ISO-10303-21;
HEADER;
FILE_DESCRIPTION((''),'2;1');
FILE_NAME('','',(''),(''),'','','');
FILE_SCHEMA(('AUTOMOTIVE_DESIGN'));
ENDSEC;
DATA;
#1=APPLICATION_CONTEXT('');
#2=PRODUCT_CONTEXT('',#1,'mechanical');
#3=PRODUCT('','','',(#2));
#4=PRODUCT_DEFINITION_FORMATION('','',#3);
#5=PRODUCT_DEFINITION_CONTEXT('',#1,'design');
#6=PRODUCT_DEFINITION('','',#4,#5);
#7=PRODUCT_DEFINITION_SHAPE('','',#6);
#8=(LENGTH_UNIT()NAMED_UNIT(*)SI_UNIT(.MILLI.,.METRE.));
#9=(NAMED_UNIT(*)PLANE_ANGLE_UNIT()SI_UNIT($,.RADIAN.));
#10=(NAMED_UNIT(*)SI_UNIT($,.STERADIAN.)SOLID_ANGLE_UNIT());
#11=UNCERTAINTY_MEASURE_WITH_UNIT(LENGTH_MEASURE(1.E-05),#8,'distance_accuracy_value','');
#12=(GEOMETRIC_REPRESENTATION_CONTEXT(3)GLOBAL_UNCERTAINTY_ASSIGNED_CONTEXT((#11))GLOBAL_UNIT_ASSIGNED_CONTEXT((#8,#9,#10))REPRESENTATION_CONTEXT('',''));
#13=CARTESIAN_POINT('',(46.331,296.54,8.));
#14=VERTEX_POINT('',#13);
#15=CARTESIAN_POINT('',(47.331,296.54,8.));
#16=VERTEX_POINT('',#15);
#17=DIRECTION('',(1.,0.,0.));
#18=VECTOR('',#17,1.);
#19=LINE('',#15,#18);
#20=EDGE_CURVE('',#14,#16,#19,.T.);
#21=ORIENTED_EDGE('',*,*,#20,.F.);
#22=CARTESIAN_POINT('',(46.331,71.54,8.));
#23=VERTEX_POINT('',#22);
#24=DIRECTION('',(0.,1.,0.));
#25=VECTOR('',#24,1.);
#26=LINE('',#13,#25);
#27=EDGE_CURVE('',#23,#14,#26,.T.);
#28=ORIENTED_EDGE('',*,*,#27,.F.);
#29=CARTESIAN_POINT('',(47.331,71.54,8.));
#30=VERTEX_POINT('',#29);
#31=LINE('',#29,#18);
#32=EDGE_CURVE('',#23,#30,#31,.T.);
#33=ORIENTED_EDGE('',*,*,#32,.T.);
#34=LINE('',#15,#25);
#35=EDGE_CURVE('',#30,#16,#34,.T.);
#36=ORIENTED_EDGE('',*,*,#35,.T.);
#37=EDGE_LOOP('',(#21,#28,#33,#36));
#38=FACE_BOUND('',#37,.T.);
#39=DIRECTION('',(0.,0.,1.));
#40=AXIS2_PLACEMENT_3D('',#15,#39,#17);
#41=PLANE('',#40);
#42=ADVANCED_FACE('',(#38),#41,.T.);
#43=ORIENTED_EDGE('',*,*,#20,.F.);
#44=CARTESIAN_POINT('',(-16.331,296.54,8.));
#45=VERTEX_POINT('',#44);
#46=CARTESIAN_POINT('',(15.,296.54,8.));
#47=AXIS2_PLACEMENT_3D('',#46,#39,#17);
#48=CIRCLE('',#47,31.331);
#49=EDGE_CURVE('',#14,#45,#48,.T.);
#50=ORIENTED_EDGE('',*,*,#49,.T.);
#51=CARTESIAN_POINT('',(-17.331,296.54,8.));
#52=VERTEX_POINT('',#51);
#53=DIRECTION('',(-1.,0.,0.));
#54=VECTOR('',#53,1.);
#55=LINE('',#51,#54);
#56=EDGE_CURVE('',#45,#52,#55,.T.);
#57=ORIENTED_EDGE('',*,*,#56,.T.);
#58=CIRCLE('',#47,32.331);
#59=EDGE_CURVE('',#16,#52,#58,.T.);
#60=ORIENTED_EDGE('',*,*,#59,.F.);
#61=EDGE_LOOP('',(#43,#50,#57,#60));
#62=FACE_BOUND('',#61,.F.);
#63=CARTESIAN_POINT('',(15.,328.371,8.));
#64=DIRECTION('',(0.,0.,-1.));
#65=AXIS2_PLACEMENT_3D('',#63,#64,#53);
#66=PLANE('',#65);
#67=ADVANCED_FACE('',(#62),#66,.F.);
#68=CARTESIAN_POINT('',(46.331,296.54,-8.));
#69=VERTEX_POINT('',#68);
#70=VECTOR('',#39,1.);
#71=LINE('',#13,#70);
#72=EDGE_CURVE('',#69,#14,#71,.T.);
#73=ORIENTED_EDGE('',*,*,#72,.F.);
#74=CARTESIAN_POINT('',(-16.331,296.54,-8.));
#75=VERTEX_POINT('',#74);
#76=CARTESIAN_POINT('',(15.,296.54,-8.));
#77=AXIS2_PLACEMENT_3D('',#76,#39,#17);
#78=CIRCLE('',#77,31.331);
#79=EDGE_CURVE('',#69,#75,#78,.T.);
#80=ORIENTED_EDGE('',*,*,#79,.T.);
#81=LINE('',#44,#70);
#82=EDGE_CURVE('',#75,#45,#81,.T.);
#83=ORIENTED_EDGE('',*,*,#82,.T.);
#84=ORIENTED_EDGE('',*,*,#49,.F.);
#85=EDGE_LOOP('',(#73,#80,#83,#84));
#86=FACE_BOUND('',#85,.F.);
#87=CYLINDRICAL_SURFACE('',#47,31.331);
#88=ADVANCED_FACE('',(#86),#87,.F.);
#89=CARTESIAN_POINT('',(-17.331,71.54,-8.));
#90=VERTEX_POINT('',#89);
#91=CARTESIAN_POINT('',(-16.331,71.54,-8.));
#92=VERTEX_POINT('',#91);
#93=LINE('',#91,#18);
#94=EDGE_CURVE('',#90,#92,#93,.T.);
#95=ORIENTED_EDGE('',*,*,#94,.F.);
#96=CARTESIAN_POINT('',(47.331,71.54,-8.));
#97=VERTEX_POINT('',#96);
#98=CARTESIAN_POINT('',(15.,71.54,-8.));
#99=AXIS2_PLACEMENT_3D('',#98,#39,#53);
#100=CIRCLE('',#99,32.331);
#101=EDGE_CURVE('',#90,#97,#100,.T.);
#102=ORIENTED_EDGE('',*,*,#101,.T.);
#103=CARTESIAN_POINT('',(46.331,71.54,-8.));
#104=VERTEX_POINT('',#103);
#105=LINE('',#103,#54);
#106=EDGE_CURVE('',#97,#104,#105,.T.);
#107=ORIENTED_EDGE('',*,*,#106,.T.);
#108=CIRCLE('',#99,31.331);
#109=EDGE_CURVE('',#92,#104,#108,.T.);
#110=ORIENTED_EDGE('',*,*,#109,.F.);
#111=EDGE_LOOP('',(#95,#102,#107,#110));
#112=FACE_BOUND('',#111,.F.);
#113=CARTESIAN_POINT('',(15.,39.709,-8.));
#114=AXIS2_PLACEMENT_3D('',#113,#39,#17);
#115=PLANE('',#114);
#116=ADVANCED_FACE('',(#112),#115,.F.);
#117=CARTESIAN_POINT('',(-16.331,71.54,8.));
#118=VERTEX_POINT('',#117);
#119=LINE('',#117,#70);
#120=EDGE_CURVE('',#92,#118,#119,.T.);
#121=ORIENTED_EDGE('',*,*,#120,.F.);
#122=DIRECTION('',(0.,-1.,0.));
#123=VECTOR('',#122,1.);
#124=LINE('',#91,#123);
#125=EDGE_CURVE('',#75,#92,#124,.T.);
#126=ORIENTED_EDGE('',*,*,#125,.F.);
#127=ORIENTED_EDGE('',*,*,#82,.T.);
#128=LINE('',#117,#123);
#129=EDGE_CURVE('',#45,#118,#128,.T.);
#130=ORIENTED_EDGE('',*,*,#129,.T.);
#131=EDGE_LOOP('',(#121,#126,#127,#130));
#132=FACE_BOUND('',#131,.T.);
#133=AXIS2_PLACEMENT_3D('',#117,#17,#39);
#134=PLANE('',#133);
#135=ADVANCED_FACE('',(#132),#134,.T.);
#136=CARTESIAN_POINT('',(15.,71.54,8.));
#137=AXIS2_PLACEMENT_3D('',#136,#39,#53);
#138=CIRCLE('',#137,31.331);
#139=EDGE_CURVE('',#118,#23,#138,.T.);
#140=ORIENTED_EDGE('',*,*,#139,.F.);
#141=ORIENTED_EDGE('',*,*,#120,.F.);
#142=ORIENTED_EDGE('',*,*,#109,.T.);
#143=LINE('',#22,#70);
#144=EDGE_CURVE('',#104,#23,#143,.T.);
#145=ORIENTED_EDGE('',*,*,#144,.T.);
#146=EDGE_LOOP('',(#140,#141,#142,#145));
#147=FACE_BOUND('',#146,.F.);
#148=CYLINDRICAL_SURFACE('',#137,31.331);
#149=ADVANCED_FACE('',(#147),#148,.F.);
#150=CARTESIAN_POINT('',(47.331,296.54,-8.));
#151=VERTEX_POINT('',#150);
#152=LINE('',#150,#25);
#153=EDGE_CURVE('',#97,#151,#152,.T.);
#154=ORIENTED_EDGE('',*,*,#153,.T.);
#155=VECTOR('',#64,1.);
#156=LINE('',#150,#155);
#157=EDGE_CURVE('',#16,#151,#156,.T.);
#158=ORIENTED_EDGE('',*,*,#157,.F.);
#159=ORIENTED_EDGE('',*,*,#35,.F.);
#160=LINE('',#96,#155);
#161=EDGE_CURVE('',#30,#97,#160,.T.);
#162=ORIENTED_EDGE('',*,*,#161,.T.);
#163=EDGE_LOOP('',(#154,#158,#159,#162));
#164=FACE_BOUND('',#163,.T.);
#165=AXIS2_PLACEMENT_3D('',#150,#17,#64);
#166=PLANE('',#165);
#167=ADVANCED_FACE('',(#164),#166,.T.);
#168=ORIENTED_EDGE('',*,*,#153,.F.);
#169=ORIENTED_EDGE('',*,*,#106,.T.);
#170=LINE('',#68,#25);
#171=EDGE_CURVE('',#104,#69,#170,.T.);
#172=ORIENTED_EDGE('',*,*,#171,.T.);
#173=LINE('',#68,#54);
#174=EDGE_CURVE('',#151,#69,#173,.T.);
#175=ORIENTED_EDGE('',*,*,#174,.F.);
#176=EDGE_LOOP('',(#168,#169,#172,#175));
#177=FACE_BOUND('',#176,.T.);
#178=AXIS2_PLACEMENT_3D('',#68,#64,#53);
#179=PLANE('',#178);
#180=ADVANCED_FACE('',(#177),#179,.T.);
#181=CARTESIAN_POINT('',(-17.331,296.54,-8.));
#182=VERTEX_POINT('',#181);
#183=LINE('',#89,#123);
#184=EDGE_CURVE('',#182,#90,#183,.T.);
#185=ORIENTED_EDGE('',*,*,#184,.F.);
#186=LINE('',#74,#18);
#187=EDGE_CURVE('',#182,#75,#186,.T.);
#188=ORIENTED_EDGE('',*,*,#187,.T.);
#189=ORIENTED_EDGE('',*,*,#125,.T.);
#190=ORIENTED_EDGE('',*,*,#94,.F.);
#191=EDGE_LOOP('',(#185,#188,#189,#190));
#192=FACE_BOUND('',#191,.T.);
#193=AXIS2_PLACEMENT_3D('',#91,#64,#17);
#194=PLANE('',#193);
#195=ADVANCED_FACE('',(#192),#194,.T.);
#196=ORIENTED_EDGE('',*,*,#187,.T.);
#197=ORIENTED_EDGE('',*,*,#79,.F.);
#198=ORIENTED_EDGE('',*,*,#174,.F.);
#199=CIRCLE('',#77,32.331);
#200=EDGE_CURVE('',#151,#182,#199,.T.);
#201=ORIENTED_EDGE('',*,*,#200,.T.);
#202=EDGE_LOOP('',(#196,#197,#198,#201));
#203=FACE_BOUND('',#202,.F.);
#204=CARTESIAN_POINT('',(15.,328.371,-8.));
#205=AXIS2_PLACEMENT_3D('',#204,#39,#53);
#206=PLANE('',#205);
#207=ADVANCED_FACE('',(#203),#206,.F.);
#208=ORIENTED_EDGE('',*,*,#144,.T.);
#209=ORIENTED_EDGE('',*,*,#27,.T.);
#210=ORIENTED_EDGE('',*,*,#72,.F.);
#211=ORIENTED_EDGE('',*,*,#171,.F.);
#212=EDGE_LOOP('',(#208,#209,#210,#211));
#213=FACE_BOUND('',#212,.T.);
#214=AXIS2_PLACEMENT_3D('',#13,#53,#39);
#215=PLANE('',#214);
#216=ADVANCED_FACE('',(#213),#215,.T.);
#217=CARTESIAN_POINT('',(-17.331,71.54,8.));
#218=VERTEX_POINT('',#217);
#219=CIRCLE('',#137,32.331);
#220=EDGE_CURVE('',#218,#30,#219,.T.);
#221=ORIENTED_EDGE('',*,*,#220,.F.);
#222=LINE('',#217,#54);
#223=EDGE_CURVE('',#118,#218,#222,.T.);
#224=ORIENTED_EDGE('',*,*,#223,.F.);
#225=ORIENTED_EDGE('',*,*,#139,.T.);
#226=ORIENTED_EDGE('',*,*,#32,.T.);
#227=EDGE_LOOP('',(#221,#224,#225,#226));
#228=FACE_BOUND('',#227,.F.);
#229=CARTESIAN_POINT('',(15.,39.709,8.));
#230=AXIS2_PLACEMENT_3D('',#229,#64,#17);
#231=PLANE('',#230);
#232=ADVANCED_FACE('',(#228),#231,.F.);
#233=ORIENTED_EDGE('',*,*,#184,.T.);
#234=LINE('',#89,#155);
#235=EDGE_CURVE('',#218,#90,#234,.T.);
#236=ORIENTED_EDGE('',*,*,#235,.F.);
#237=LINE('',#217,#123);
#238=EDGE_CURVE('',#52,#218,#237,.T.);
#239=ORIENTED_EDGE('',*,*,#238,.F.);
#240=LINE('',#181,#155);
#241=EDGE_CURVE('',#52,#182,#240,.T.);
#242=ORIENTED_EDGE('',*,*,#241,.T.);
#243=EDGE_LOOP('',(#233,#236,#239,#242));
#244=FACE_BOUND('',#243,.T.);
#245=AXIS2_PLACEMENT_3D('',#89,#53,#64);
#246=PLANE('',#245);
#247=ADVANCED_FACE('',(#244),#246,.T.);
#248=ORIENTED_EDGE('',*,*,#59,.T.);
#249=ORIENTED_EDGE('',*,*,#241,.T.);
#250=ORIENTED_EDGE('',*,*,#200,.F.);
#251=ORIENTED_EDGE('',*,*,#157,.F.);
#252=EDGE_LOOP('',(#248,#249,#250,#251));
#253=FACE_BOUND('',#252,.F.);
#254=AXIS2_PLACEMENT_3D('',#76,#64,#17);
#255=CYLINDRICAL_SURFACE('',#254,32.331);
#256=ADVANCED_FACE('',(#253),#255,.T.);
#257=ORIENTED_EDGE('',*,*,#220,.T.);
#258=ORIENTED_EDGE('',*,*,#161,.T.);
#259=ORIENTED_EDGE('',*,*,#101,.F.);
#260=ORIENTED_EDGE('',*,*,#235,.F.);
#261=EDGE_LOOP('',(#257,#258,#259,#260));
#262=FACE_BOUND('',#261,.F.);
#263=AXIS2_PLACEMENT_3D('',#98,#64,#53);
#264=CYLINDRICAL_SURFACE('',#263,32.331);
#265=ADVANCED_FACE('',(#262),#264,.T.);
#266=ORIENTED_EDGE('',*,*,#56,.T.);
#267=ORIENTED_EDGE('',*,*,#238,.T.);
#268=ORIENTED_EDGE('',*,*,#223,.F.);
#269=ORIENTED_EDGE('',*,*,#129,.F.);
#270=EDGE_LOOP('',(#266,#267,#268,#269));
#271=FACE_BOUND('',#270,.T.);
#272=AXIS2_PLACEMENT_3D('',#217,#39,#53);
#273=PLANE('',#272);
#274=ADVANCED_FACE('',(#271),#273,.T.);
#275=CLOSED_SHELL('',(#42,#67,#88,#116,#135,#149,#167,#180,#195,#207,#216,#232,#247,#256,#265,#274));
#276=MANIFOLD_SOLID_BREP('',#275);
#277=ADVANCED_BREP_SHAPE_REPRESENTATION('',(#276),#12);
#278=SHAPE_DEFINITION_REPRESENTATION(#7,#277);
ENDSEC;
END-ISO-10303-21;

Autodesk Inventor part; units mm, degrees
sketch "Sketch Path" plane through (0, 0, 0) normal (0, 0, 1) x (1, 0, 0)
  arc A0 (46.831, 296.54) -> (-16.831, 296.54) centre (15, 296.54) ccw
  arc A1 (-16.831, 71.54) -> (46.831, 71.54) centre (15, 71.54) ccw
  line L0 (-16.831, 71.54) -> (-16.831, 296.54)
  line L1 (46.831, 296.54) -> (46.831, 71.54)
ref_plane "Cross Section Plane" through (-16.831, 296.54, 0) normal (0, -1, 0) x (0, 0, 1)
ref_plane "Work Plane2" through (15, 296.54, 0) normal (-1, 0, 0) x (0, 0, 1)
ref_plane "Work Plane3" through (15, 71.54, 0) normal (0.1564, 0.9877, 0) x (0, 0, 1)
sketch "Cross Section" plane through (-16.831, 296.54, 0) normal (0, -1, 0) x (0, 0, 1)
  line L0 (-8, 0.5) -> (8, 0.5)
  line L1 (8, 0.5) -> (8, -0.5)
  line L2 (8, -0.5) -> (-8, -0.5)
  line L3 (-8, -0.5) -> (-8, 0.5)
  line L4 (-8, 0) -> (8, 0) construction
  point P0 (0, 0)
  point P1 (0, 0)
  dimension "d0" = 16
  dimension "d4" = 0.5
  dimension "d5" = 0.5
sweep "Belt" add profiles "Cross Section" path "Sketch Path"
equation "\"d0\" = da_B"
equation "\"d4\" = da_a"
equation "\"d5\" = da_a2"
equation "\"da_B\" = 16"
equation "\"da_pb\" = 5"
equation "\"da_a\" = 0.5"
equation "\"da_S\" = 2.65"
equation "\"da_Beta\" = 20deg"
equation "\"da_Ht\" = 1.2"
equation "\"da_H\" = 3.4"
equation "\"da_a2\" = 0.5"
properties part number "Synchronous Belt" material "Rubber"
